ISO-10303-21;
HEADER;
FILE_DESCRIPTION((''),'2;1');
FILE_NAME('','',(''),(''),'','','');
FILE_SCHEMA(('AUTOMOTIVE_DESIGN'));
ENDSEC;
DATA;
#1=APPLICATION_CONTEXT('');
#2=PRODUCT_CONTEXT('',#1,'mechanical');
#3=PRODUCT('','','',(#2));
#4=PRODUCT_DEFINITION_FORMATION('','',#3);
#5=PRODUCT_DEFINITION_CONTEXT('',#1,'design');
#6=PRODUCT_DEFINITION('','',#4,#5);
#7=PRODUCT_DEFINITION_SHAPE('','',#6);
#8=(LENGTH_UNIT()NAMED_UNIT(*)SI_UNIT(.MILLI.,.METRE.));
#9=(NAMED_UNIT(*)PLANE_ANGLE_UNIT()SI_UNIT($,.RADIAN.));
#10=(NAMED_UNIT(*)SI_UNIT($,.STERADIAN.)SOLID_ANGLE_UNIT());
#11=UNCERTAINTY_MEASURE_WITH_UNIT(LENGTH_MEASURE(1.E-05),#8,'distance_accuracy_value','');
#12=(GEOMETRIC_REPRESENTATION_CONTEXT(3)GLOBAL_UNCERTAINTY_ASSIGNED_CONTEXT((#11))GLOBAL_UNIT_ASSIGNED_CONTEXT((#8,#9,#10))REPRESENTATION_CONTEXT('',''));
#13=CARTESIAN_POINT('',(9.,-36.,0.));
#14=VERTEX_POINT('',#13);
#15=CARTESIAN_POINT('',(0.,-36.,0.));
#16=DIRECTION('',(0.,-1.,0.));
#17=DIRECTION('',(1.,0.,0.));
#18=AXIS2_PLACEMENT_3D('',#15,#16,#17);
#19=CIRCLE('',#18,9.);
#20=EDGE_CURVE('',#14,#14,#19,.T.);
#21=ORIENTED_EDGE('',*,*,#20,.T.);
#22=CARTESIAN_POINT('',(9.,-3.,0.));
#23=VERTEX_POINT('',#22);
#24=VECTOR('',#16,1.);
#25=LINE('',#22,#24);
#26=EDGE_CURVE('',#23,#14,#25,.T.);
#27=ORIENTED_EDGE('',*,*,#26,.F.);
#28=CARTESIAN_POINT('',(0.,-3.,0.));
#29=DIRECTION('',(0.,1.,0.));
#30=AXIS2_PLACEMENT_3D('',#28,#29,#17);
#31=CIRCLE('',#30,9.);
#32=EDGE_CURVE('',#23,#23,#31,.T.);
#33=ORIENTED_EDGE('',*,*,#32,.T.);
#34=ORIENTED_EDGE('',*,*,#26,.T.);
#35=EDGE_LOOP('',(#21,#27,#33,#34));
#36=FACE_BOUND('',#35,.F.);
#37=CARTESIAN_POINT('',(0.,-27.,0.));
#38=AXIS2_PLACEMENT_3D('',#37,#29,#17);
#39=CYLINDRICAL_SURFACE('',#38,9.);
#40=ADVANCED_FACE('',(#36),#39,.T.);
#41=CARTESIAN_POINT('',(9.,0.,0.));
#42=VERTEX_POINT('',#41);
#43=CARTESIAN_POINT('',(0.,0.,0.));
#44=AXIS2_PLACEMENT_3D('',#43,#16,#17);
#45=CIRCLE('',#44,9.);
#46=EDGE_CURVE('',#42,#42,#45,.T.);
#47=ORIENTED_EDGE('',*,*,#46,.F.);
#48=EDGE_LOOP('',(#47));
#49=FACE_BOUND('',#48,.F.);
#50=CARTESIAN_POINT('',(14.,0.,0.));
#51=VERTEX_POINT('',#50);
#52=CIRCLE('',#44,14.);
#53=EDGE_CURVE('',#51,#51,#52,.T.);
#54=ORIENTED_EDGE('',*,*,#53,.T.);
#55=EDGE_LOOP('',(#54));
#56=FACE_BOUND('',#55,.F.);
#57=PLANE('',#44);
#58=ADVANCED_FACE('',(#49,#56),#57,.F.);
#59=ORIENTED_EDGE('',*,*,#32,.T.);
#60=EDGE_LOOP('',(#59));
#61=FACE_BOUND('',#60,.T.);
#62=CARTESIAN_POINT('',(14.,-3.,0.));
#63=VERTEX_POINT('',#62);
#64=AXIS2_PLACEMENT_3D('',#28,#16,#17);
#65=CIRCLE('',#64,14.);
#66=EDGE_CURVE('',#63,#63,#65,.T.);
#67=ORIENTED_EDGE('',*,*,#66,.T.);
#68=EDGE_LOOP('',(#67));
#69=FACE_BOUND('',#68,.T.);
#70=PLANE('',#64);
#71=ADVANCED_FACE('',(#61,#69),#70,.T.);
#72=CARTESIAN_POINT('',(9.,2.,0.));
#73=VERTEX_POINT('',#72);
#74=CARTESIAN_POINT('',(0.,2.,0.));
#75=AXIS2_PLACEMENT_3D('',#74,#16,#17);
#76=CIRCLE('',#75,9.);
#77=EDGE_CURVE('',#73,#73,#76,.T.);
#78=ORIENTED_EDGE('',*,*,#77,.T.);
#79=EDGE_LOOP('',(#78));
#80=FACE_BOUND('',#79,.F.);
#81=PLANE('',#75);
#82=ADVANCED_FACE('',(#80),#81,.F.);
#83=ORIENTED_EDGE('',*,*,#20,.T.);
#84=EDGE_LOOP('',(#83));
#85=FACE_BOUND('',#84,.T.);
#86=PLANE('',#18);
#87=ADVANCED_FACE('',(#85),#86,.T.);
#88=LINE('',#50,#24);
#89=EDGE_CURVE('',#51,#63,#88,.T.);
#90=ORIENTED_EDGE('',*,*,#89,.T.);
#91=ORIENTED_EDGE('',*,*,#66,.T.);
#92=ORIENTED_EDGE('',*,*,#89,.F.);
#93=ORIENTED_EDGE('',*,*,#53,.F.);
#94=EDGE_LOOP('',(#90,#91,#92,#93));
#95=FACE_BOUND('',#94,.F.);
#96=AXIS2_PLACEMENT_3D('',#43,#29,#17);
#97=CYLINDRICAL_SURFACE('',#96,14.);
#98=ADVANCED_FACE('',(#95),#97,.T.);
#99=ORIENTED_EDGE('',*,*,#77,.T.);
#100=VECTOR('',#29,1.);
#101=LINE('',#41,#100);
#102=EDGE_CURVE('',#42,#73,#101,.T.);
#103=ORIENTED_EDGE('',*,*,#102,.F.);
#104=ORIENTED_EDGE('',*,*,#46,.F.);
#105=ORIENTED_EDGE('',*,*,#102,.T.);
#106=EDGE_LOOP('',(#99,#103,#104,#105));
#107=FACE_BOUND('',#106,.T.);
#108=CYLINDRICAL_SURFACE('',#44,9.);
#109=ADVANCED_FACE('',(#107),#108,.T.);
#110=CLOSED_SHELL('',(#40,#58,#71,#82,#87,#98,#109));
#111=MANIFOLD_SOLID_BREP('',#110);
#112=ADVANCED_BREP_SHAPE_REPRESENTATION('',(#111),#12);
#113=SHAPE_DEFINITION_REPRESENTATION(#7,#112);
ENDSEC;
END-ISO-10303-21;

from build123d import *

# Parameters (mm, degrees)
F0_R     = 14
F0_R_2   = 9
F1_DEPTH = 3
F2_DEPTH = 27
F3_DEPTH = 2
F4_R     = 3.75
F5_DEPTH = 4
F7_R     = 9
F8_DEPTH = 9


with BuildPart() as f1:
    # F0 (on Front) → F1 (new body)
    with BuildSketch(Plane.XZ):
        Circle(F0_R)
        Circle(F0_R_2, mode=Mode.SUBTRACT)
        Circle(F0_R_2)
    extrude(amount=F1_DEPTH)

    # F0 (on Front) → F2 (join)
    with BuildSketch(Plane.XZ):
        Circle(F0_R_2)
    extrude(amount=F2_DEPTH)

    # F0 (on Front) → F3 (join)
    with BuildSketch(Plane.XZ):
        Circle(F0_R_2)
    extrude(amount=-F3_DEPTH)

    # F4 (on face) → F5 (join)
    with BuildSketch(Plane.XZ.offset(27)):
        Circle(F4_R)
    extrude(amount=F5_DEPTH)

    # F7 (on face) → F8 (join)
    with BuildSketch(Plane.XZ.offset(27)):
        Circle(F7_R)
    extrude(amount=F8_DEPTH)


solid = f1.part
